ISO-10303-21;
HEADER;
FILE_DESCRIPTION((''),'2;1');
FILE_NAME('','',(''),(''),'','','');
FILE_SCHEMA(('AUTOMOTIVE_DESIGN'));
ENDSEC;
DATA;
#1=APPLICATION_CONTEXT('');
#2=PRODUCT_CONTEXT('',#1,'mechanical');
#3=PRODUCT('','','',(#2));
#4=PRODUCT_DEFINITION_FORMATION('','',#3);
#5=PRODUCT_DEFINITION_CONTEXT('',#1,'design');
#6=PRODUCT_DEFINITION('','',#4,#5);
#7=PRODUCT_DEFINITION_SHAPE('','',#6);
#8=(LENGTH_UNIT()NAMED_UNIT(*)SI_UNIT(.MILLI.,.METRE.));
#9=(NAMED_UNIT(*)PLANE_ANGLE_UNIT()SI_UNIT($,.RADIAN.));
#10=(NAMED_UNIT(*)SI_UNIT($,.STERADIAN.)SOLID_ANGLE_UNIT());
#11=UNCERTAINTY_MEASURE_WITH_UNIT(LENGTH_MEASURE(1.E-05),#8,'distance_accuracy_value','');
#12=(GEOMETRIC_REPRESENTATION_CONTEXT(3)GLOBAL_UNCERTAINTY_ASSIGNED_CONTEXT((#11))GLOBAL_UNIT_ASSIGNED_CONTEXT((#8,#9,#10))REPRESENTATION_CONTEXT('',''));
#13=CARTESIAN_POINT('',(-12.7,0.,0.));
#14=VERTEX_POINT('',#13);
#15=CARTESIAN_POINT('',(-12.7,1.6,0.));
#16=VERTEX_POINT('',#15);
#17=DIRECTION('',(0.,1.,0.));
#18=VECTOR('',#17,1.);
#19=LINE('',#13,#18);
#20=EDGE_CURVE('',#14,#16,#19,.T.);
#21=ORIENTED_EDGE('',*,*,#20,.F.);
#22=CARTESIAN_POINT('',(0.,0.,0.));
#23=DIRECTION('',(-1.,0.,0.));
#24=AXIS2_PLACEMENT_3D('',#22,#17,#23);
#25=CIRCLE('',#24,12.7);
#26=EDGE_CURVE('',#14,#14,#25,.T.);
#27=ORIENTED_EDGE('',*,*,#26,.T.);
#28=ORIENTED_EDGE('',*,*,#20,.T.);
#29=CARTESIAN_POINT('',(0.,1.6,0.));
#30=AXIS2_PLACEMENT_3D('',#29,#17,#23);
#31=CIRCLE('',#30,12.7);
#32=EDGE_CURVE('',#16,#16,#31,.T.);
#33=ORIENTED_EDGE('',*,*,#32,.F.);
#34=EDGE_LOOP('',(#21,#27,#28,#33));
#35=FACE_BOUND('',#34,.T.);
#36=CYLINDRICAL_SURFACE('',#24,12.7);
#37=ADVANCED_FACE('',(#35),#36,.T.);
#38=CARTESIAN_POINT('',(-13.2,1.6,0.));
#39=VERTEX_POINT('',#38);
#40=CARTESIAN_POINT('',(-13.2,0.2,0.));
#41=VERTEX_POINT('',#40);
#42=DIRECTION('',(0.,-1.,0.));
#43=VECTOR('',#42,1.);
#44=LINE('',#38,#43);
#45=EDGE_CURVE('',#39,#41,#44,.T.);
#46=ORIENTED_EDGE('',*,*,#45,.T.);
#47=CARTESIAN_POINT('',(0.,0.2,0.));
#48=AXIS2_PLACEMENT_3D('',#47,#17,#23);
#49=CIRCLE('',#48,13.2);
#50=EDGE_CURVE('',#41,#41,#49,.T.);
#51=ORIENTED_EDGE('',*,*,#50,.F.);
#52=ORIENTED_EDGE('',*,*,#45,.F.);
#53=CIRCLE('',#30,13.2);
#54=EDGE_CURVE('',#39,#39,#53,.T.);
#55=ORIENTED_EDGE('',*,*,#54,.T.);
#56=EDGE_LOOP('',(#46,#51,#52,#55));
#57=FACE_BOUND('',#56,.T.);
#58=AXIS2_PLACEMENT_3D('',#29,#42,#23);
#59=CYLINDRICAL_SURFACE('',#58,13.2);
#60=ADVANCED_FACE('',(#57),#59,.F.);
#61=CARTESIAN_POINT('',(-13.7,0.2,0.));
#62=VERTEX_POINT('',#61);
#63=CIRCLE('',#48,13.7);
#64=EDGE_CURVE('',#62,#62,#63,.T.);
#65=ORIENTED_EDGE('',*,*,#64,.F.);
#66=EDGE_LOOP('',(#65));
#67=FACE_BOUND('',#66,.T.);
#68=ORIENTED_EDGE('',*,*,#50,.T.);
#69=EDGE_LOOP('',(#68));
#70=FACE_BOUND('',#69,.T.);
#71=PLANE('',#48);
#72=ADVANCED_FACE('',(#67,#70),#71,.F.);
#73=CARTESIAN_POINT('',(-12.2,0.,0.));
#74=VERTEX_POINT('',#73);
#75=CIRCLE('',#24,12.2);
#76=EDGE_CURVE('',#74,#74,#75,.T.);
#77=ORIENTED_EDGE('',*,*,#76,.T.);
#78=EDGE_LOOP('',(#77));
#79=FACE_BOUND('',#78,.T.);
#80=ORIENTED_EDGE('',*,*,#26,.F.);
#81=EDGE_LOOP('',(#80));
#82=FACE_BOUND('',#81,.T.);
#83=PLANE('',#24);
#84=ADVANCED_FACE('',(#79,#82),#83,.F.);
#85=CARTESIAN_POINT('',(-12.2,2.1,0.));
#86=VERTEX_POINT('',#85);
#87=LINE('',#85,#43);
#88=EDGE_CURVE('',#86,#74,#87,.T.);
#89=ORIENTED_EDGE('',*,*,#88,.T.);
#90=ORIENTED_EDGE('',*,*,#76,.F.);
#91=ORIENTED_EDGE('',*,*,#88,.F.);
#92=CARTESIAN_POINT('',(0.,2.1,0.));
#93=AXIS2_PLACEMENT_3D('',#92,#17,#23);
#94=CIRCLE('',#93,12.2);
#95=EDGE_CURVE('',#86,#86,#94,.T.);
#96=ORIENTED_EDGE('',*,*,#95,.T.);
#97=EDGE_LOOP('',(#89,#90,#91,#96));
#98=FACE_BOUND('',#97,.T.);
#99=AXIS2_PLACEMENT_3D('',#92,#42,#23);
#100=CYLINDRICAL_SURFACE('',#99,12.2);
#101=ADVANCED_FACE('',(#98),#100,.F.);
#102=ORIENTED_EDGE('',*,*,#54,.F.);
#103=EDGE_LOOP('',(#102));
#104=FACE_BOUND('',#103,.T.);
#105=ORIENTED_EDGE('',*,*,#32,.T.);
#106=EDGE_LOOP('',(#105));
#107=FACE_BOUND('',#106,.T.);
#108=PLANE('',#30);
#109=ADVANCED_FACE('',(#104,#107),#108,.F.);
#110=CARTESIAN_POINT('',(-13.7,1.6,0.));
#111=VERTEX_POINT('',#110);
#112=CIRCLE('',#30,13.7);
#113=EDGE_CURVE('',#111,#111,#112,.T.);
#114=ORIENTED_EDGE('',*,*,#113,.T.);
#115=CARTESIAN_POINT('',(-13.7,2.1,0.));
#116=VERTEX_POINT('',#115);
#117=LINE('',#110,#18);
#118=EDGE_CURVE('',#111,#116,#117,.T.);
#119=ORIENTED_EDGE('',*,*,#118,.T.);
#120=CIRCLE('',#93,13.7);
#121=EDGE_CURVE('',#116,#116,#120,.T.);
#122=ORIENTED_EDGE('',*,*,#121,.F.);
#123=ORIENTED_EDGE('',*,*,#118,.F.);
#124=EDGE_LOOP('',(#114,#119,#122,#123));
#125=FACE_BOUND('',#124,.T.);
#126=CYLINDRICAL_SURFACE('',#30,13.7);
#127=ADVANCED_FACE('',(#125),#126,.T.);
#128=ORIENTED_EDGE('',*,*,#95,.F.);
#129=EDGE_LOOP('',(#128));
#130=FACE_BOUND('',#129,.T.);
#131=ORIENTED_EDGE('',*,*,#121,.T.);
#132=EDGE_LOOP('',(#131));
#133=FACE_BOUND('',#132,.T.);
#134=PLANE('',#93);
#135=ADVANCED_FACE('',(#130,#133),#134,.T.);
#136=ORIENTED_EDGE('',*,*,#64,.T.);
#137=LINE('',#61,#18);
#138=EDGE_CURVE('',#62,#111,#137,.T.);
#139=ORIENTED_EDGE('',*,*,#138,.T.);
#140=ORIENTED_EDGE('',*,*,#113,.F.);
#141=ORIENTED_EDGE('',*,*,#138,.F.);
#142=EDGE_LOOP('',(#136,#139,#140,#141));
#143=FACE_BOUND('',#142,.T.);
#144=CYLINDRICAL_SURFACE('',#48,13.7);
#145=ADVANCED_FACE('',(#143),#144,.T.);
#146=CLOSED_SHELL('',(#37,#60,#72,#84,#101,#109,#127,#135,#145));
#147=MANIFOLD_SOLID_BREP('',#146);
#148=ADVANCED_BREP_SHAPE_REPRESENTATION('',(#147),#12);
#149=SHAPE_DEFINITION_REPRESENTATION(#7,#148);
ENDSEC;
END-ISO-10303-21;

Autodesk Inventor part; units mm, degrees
ref_plane "YZ Plane" through (0, 0, 0) normal (1, 0, 0) x (0, 1, 0)
ref_plane "XZ Plane" through (0, 0, 0) normal (0, 1, 0) x (-1, 0, 0)
ref_plane "XY Plane" through (0, 0, 0) normal (0, 0, 1) x (1, 0, 0)
sketch "草图1" plane through (0, 0, 0) normal (0, 0, 1) x (1, 0, 0)
  line L0 (-12.2, 0) -> (-12.7, 0)
  line L1 (-12.7, 0) -> (-12.7, 1.6)
  line L2 (-12.7, 1.6) -> (-13.2, 1.6)
  line L3 (-13.2, 1.6) -> (-13.2, 0.2)
  line L4 (-13.2, 0.2) -> (-13.7, 0.2)
  line L5 (-13.7, 0.2) -> (-13.7, 1.6)
  line L6 (-13.7, 1.6) -> (-13.7, 2.1)
  line L7 (-13.7, 2.1) -> (-12.2, 2.1)
  line L8 (-12.2, 2.1) -> (-12.2, 0)
  line L9 (-12.2, 0) -> (-12.7, 0)
  line L10 (0, 0) -> (0.0001, 4.399)
revolve "旋转1" add sketch "草图1" angle 360 about axis through (0, 0, 0) along (0, 1, 0)
equation "\"BendRadius\" = Thickness"
equation "\"BendReliefWidth\" = Thickness"
equation "\"BendReliefDepth\" = 0.5 * Thickness"
equation "\"CornerReliefSize\" = 4 * Thickness"
equation "\"MinimumRemnant\" = 2 * Thickness"
equation "\"TransitionRadius\" = BendRadius"
equation "\"JacobiRadiusSize\" = BendRadius"
equation "\"GapSize\" = Thickness"
equation "\"Thickness\" = 0.5"
properties part number "fenguangjinggai"
